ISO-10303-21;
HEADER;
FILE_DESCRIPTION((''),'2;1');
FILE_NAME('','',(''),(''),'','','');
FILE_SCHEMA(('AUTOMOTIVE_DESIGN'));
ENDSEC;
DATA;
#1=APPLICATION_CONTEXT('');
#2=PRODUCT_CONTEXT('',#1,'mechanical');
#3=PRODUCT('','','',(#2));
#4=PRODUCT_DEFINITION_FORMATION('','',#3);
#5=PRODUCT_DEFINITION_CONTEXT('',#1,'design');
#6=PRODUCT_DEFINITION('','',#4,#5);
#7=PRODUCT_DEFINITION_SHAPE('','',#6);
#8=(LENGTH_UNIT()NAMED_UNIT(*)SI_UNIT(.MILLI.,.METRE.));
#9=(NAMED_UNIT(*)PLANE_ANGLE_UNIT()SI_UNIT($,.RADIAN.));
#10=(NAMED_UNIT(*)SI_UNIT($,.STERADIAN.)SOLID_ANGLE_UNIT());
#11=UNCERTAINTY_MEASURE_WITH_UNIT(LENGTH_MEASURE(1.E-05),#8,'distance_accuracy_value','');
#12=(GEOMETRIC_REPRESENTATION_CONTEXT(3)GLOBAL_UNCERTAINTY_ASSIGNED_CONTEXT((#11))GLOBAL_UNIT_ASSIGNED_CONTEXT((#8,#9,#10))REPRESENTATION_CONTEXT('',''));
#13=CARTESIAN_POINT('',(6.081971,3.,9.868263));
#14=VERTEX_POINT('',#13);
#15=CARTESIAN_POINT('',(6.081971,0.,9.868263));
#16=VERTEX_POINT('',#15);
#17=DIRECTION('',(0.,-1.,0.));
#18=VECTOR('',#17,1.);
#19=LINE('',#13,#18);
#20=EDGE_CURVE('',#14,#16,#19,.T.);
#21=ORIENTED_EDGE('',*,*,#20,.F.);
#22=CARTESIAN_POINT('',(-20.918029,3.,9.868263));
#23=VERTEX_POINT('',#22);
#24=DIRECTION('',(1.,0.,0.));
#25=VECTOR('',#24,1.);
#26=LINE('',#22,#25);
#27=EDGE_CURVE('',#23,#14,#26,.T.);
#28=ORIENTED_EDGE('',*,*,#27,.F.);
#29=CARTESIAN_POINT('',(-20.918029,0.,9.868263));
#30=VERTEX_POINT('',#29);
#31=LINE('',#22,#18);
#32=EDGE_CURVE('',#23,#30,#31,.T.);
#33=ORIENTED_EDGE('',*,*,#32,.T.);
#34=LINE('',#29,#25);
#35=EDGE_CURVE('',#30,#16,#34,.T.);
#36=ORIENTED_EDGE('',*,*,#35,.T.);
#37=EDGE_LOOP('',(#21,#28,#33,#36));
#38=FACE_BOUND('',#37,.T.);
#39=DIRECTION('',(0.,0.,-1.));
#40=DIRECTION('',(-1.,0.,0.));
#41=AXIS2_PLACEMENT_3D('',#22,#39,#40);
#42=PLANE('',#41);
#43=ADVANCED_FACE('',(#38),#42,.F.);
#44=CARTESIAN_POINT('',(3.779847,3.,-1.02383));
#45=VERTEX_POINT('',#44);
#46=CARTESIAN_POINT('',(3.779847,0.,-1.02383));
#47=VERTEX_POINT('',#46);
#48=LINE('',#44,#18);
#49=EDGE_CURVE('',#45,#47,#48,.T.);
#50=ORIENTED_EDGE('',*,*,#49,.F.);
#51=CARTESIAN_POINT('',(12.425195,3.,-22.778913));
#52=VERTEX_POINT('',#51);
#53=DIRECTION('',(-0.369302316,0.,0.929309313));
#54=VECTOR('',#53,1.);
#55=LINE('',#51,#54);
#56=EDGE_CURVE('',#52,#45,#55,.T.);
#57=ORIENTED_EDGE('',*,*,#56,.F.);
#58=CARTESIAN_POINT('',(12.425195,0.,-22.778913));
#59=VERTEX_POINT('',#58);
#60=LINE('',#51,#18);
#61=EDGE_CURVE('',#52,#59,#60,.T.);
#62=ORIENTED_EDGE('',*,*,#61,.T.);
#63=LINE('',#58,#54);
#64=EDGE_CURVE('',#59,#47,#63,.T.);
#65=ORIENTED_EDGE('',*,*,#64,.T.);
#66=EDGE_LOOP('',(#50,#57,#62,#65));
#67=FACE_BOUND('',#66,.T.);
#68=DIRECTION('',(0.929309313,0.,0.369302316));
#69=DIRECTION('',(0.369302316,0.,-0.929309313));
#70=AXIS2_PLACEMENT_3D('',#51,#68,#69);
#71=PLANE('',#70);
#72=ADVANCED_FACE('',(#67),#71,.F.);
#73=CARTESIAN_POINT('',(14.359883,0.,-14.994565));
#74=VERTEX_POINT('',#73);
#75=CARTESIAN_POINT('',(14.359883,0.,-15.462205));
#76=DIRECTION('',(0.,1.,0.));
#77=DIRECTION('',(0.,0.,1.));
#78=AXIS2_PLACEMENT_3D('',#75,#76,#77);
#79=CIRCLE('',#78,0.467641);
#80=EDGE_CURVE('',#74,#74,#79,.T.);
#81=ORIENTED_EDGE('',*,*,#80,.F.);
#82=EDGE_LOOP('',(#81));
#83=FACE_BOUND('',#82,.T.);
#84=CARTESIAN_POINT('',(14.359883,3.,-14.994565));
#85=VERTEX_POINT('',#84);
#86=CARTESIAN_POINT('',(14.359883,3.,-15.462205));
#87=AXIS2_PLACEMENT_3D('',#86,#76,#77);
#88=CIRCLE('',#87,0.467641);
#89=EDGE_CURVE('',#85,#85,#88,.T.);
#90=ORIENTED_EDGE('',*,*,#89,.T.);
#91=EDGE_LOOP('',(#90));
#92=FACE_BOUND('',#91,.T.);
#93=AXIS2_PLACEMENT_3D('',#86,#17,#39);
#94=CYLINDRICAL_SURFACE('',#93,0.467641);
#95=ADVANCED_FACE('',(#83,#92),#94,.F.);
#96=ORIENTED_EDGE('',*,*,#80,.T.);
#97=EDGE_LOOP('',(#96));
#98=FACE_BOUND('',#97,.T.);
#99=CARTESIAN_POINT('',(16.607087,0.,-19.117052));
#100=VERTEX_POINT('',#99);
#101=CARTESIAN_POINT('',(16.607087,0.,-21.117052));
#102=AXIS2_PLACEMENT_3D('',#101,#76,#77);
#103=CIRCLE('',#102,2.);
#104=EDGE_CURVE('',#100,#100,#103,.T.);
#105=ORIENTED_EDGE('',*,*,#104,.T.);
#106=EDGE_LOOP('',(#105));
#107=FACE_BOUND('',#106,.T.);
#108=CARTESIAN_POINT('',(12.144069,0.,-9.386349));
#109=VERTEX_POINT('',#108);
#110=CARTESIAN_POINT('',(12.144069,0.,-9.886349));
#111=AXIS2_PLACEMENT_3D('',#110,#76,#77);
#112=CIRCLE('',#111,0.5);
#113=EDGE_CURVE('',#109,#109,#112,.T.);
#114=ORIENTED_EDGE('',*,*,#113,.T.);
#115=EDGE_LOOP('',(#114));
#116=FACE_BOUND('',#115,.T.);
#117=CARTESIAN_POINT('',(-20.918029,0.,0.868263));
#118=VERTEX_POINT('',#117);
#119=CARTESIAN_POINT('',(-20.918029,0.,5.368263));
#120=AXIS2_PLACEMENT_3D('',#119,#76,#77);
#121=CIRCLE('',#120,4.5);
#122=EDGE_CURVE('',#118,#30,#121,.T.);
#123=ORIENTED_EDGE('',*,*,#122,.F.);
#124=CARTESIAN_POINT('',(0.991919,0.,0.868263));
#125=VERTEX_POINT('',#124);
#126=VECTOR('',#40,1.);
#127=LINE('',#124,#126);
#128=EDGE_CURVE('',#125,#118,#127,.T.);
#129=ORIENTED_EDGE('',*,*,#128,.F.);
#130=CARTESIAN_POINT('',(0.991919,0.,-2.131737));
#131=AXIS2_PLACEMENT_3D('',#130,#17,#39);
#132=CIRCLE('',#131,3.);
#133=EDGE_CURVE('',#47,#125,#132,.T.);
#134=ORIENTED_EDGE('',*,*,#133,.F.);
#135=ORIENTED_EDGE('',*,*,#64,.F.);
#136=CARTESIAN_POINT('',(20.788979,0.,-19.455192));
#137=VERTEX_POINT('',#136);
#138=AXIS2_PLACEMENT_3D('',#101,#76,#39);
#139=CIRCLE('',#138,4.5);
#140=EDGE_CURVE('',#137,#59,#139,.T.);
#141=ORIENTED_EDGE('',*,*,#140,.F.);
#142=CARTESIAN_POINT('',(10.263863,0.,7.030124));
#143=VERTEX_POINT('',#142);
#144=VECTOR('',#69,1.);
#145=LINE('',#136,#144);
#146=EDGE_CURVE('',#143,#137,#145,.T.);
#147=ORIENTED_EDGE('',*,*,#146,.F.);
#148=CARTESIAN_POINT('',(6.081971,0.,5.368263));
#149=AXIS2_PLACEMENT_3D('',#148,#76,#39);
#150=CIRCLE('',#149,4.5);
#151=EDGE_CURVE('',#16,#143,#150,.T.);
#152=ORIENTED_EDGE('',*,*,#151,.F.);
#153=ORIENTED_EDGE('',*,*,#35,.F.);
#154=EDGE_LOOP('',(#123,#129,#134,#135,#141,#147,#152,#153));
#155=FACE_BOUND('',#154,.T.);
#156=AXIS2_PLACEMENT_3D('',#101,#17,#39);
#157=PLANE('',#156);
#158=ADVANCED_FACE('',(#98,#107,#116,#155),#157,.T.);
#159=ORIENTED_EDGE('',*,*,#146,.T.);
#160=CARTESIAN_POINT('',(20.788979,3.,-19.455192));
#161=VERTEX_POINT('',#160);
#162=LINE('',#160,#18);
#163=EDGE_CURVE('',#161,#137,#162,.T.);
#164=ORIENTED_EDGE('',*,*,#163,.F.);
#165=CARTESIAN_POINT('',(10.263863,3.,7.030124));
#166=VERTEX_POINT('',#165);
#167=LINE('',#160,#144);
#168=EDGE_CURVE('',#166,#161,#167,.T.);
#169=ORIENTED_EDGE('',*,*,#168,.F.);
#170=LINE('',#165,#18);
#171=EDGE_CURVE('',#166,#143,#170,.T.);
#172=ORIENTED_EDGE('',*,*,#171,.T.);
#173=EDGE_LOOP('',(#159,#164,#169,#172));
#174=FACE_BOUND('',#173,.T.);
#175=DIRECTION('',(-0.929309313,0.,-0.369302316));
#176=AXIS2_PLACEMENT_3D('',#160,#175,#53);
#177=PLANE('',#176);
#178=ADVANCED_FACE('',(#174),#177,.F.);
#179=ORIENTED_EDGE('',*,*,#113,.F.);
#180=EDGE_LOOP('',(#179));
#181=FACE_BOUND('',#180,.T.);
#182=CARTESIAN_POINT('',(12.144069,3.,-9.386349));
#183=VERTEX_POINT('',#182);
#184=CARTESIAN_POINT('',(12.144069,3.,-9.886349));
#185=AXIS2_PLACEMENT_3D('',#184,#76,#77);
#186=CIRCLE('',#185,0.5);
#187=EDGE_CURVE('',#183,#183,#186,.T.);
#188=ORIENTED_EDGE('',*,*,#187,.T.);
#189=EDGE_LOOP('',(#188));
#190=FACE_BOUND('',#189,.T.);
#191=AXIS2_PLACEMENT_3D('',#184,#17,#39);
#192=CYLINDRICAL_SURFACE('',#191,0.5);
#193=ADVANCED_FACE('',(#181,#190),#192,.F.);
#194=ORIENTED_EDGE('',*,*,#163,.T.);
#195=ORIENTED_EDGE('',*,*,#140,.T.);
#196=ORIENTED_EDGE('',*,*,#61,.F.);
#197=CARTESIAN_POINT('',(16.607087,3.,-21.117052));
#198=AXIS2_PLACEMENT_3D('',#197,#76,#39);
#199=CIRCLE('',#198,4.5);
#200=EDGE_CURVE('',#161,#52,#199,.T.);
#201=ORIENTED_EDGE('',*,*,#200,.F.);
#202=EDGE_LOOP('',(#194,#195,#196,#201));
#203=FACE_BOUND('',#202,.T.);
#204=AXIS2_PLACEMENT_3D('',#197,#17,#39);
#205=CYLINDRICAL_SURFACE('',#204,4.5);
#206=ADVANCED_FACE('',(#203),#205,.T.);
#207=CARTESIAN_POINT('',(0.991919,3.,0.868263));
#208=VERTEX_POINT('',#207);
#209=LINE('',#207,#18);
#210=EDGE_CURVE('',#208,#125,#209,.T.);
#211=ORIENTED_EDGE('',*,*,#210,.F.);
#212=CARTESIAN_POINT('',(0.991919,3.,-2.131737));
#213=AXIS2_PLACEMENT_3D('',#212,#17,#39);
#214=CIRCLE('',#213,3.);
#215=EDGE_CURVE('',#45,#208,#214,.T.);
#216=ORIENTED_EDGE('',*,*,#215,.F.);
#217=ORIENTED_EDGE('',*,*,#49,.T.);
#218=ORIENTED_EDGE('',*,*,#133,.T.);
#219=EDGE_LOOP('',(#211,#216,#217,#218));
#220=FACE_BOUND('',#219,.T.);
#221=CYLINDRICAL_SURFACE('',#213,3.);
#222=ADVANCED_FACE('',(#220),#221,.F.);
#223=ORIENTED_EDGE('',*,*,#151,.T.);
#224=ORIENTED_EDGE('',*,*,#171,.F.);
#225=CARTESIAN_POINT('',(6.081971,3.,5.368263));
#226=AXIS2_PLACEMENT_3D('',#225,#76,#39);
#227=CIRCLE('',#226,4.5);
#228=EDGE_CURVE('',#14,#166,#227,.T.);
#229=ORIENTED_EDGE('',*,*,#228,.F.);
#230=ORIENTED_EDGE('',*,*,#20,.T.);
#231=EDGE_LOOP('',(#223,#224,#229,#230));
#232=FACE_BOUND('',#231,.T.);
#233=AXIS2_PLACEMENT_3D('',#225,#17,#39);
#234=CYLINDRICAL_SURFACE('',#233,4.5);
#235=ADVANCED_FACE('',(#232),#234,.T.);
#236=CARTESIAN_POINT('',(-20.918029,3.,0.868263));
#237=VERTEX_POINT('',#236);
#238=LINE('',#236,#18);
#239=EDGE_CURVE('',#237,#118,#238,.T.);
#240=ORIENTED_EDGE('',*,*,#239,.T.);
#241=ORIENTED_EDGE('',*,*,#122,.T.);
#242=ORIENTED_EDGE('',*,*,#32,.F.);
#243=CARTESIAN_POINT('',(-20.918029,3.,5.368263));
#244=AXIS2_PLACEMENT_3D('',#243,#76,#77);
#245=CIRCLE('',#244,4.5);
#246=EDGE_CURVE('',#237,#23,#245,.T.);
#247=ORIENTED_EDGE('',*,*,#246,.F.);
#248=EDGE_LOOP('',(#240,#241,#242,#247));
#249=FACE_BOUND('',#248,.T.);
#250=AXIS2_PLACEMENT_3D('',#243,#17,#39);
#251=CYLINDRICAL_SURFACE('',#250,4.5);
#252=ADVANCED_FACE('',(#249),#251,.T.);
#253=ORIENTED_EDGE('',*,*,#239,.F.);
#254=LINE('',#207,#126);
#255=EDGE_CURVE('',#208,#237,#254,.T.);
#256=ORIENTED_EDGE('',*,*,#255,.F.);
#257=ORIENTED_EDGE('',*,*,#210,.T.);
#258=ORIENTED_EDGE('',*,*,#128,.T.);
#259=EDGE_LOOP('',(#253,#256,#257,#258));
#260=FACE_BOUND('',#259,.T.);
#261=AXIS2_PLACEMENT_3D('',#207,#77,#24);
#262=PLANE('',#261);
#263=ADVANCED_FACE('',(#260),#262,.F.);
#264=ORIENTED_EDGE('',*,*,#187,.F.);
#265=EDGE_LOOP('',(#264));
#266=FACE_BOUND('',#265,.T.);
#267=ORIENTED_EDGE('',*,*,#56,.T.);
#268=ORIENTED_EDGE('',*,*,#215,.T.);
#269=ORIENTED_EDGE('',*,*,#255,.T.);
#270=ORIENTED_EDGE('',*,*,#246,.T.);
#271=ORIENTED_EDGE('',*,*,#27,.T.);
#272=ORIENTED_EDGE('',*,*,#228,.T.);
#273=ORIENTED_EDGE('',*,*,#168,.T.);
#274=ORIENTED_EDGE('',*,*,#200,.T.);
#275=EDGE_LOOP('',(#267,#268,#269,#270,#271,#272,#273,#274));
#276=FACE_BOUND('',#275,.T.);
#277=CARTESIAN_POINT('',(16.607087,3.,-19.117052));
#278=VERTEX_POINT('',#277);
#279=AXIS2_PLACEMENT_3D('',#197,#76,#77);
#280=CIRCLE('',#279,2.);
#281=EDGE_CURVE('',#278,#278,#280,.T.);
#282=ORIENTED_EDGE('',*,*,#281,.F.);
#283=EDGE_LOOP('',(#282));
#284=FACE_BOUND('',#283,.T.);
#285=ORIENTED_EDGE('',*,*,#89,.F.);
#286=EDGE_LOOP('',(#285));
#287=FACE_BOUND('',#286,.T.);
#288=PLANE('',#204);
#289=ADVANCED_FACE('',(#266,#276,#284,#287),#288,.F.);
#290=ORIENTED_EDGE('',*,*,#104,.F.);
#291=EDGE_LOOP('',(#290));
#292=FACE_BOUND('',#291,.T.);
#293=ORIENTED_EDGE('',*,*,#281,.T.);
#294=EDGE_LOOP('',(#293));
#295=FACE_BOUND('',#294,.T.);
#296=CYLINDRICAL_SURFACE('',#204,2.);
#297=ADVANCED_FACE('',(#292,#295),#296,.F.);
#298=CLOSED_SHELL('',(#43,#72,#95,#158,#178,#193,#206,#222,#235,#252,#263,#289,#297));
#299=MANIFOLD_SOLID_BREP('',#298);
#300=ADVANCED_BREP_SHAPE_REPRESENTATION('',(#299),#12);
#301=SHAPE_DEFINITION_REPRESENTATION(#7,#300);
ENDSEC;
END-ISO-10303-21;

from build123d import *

# Parameters (mm, degrees)
SKETCH1_R           = 2
SKETCH1_R_2         = 0.5
SKETCH1_R_3         = 0.467640607
BOSS_EXTRUDE1_DEPTH = 3


with BuildPart() as part:
    # Sketch1 → Boss-Extrude1 (new body)
    with BuildSketch(Plane(origin=(0, 0, 0), x_dir=(1, 0, 0), z_dir=(0, 1, 0))):
        with BuildLine():
            Line((20.788979156, 19.455191892), (10.263863139, -7.030123526))
            ThreePointArc((10.263863139, -7.030123526), (8.608988058, -9.091727344), (6.08197123, -9.868263103))
            Line((6.08197123, -9.868263103), (-20.91802877, -9.868263103))
            ThreePointArc((-20.91802877, -9.868263103), (-25.41802877, -5.368263103), (-20.91802877, -0.868263103))
            Line((-20.91802877, -0.868263103), (0.991919338, -0.868263103))
            ThreePointArc((0.991919338, -0.868263103), (2.676597223, -0.350572597), (3.779847277, 1.023829948))
            Line((3.779847277, 1.023829948), (12.42519534, 22.77891274))
            ThreePointArc((12.42519534, 22.77891274), (18.268947672, 25.298944224), (20.788979156, 19.455191892))
        make_face()
        with Locations((16.607087248, 21.117052316)):
            Circle(SKETCH1_R, mode=Mode.SUBTRACT)
        with Locations((12.144068754, 9.886349269)):
            Circle(SKETCH1_R_2, mode=Mode.SUBTRACT)
        with Locations((14.359882652, 15.462205147)):
            Circle(SKETCH1_R_3, mode=Mode.SUBTRACT)
    extrude(amount=BOSS_EXTRUDE1_DEPTH)


solid = part.part
